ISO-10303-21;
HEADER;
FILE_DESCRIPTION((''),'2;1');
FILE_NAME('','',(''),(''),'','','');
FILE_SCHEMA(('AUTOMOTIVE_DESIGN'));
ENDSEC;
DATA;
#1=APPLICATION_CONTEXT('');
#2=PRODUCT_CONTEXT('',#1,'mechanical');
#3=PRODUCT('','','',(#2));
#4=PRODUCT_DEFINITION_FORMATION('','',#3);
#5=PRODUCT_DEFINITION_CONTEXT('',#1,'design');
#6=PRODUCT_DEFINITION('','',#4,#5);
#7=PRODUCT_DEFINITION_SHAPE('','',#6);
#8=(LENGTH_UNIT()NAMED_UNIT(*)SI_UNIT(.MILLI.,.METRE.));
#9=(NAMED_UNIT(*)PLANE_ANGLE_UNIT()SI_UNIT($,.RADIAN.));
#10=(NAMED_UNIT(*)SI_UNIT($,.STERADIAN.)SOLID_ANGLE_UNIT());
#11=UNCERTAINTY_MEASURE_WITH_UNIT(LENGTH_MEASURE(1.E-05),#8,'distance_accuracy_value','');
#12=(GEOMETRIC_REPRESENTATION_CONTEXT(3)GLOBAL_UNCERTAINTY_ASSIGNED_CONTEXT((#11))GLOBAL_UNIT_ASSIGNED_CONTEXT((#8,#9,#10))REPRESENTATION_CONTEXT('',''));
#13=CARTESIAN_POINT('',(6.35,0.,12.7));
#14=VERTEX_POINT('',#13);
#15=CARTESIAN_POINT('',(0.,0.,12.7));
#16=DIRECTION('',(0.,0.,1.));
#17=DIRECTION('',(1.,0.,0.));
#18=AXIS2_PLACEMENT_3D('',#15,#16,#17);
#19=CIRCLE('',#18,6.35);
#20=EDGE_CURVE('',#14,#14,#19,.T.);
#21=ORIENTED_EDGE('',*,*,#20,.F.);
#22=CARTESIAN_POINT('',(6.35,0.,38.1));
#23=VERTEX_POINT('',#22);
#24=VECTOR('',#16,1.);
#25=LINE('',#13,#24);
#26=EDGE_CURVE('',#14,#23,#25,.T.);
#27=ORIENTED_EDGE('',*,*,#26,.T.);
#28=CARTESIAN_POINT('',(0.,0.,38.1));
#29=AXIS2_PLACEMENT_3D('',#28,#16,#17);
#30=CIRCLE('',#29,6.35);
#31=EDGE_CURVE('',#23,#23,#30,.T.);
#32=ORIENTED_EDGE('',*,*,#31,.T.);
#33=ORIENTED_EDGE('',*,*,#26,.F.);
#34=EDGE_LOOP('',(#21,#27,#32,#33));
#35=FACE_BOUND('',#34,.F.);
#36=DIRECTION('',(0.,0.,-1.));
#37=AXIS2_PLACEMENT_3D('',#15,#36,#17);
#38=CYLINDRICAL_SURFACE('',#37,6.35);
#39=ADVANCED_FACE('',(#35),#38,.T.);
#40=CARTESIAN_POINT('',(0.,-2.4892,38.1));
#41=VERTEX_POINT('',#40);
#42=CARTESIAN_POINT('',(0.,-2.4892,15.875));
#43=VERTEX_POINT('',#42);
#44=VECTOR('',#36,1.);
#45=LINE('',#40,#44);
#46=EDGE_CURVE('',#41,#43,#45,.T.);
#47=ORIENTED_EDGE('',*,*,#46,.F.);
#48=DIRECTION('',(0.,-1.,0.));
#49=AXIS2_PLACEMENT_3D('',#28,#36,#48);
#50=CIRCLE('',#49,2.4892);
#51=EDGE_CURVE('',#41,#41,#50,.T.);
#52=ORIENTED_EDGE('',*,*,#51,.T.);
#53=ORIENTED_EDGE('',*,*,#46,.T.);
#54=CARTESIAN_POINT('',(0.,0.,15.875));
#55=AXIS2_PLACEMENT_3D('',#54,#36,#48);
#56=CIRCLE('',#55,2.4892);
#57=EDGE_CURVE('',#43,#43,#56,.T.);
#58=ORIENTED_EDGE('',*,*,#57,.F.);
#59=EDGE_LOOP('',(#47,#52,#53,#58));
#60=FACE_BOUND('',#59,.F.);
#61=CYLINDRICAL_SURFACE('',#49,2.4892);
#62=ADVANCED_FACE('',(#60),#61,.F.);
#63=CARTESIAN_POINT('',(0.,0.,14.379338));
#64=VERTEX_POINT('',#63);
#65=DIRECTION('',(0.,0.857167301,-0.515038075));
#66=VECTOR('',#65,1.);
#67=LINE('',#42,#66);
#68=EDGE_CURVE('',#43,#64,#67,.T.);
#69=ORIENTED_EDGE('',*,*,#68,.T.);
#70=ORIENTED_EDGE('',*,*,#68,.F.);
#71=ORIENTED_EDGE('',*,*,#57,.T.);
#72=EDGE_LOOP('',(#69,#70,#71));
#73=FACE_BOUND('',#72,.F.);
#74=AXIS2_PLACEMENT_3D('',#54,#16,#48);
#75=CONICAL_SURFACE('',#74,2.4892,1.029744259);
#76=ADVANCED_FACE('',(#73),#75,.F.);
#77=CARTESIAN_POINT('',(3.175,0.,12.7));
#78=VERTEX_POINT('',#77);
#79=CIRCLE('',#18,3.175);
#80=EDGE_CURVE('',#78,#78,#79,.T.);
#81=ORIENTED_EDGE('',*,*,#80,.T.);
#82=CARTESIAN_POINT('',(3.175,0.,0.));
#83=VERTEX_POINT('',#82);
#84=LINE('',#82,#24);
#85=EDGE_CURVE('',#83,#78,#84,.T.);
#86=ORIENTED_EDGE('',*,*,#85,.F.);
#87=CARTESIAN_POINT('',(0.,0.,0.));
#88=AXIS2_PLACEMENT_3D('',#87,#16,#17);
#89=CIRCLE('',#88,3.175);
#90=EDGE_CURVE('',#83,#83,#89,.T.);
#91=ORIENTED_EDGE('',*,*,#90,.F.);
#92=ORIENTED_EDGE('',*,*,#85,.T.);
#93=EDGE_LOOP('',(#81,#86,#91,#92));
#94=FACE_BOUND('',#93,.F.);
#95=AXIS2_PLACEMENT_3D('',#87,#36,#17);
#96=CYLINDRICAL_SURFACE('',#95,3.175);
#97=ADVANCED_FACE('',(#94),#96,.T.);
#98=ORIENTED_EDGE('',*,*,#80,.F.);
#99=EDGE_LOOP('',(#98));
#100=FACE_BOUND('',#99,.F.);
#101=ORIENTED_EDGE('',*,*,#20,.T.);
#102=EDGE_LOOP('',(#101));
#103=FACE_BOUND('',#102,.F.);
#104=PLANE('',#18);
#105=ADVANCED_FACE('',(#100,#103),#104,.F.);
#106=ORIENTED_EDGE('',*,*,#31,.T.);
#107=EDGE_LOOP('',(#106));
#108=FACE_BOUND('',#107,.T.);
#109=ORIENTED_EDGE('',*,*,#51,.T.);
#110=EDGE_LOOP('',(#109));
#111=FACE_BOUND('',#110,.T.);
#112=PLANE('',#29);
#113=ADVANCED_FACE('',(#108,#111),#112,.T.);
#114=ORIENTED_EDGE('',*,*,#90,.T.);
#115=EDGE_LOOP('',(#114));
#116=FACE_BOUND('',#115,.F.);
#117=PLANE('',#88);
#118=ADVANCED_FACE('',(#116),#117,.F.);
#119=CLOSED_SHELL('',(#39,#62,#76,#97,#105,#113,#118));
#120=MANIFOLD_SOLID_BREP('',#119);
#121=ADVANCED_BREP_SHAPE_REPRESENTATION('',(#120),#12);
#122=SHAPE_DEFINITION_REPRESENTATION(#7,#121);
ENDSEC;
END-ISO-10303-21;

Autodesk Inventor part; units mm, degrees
ref_plane "YZ Plane" through (0, 0, 0) normal (1, 0, 0) x (0, 1, 0)
ref_plane "XZ Plane" through (0, 0, 0) normal (0, 1, 0) x (-1, 0, 0)
ref_plane "XY Plane" through (0, 0, 0) normal (0, 0, 1) x (1, 0, 0)
sketch "Sketch1" plane through (0, 0, 0) normal (0, 0, 1) x (1, 0, 0)
  circle A0 centre (0, 0) radius 3.175
  dimension "d0" = 6.35
extrude "Extrusion1" add sketch "Sketch1" along normal blind 12.7
sketch "Sketch2" plane through (0, 0, 12.7) normal (0, 0, 1) x (1, 0, 0)
  circle A0 centre (0, 0) radius 6.35
  dimension "d3" = 12.7
extrude "Extrusion2" add sketch "Sketch2" along normal blind 25.4
sketch "Sketch3" plane through (0, 0, 38.1) normal (0, 0, 1) x (1, 0, 0)
  circle A0 centre (0, 0) radius 6.35 projected
sketch "Sketch4" plane through (0, 0, 38.1) normal (0, 0, 1) x (1, 0, 0)
  point P0 (0, 0)
hole "Hole2" at (0, 0, 38.1) direction (0, 0, -1) diameter 4.9784 depth 22.225 tip angle 118 thread size "1/4-20 UNC" class "2B" standard "ANSI Unified Screw Threads"
properties part number "Pin" material "Aluminum 6061"
